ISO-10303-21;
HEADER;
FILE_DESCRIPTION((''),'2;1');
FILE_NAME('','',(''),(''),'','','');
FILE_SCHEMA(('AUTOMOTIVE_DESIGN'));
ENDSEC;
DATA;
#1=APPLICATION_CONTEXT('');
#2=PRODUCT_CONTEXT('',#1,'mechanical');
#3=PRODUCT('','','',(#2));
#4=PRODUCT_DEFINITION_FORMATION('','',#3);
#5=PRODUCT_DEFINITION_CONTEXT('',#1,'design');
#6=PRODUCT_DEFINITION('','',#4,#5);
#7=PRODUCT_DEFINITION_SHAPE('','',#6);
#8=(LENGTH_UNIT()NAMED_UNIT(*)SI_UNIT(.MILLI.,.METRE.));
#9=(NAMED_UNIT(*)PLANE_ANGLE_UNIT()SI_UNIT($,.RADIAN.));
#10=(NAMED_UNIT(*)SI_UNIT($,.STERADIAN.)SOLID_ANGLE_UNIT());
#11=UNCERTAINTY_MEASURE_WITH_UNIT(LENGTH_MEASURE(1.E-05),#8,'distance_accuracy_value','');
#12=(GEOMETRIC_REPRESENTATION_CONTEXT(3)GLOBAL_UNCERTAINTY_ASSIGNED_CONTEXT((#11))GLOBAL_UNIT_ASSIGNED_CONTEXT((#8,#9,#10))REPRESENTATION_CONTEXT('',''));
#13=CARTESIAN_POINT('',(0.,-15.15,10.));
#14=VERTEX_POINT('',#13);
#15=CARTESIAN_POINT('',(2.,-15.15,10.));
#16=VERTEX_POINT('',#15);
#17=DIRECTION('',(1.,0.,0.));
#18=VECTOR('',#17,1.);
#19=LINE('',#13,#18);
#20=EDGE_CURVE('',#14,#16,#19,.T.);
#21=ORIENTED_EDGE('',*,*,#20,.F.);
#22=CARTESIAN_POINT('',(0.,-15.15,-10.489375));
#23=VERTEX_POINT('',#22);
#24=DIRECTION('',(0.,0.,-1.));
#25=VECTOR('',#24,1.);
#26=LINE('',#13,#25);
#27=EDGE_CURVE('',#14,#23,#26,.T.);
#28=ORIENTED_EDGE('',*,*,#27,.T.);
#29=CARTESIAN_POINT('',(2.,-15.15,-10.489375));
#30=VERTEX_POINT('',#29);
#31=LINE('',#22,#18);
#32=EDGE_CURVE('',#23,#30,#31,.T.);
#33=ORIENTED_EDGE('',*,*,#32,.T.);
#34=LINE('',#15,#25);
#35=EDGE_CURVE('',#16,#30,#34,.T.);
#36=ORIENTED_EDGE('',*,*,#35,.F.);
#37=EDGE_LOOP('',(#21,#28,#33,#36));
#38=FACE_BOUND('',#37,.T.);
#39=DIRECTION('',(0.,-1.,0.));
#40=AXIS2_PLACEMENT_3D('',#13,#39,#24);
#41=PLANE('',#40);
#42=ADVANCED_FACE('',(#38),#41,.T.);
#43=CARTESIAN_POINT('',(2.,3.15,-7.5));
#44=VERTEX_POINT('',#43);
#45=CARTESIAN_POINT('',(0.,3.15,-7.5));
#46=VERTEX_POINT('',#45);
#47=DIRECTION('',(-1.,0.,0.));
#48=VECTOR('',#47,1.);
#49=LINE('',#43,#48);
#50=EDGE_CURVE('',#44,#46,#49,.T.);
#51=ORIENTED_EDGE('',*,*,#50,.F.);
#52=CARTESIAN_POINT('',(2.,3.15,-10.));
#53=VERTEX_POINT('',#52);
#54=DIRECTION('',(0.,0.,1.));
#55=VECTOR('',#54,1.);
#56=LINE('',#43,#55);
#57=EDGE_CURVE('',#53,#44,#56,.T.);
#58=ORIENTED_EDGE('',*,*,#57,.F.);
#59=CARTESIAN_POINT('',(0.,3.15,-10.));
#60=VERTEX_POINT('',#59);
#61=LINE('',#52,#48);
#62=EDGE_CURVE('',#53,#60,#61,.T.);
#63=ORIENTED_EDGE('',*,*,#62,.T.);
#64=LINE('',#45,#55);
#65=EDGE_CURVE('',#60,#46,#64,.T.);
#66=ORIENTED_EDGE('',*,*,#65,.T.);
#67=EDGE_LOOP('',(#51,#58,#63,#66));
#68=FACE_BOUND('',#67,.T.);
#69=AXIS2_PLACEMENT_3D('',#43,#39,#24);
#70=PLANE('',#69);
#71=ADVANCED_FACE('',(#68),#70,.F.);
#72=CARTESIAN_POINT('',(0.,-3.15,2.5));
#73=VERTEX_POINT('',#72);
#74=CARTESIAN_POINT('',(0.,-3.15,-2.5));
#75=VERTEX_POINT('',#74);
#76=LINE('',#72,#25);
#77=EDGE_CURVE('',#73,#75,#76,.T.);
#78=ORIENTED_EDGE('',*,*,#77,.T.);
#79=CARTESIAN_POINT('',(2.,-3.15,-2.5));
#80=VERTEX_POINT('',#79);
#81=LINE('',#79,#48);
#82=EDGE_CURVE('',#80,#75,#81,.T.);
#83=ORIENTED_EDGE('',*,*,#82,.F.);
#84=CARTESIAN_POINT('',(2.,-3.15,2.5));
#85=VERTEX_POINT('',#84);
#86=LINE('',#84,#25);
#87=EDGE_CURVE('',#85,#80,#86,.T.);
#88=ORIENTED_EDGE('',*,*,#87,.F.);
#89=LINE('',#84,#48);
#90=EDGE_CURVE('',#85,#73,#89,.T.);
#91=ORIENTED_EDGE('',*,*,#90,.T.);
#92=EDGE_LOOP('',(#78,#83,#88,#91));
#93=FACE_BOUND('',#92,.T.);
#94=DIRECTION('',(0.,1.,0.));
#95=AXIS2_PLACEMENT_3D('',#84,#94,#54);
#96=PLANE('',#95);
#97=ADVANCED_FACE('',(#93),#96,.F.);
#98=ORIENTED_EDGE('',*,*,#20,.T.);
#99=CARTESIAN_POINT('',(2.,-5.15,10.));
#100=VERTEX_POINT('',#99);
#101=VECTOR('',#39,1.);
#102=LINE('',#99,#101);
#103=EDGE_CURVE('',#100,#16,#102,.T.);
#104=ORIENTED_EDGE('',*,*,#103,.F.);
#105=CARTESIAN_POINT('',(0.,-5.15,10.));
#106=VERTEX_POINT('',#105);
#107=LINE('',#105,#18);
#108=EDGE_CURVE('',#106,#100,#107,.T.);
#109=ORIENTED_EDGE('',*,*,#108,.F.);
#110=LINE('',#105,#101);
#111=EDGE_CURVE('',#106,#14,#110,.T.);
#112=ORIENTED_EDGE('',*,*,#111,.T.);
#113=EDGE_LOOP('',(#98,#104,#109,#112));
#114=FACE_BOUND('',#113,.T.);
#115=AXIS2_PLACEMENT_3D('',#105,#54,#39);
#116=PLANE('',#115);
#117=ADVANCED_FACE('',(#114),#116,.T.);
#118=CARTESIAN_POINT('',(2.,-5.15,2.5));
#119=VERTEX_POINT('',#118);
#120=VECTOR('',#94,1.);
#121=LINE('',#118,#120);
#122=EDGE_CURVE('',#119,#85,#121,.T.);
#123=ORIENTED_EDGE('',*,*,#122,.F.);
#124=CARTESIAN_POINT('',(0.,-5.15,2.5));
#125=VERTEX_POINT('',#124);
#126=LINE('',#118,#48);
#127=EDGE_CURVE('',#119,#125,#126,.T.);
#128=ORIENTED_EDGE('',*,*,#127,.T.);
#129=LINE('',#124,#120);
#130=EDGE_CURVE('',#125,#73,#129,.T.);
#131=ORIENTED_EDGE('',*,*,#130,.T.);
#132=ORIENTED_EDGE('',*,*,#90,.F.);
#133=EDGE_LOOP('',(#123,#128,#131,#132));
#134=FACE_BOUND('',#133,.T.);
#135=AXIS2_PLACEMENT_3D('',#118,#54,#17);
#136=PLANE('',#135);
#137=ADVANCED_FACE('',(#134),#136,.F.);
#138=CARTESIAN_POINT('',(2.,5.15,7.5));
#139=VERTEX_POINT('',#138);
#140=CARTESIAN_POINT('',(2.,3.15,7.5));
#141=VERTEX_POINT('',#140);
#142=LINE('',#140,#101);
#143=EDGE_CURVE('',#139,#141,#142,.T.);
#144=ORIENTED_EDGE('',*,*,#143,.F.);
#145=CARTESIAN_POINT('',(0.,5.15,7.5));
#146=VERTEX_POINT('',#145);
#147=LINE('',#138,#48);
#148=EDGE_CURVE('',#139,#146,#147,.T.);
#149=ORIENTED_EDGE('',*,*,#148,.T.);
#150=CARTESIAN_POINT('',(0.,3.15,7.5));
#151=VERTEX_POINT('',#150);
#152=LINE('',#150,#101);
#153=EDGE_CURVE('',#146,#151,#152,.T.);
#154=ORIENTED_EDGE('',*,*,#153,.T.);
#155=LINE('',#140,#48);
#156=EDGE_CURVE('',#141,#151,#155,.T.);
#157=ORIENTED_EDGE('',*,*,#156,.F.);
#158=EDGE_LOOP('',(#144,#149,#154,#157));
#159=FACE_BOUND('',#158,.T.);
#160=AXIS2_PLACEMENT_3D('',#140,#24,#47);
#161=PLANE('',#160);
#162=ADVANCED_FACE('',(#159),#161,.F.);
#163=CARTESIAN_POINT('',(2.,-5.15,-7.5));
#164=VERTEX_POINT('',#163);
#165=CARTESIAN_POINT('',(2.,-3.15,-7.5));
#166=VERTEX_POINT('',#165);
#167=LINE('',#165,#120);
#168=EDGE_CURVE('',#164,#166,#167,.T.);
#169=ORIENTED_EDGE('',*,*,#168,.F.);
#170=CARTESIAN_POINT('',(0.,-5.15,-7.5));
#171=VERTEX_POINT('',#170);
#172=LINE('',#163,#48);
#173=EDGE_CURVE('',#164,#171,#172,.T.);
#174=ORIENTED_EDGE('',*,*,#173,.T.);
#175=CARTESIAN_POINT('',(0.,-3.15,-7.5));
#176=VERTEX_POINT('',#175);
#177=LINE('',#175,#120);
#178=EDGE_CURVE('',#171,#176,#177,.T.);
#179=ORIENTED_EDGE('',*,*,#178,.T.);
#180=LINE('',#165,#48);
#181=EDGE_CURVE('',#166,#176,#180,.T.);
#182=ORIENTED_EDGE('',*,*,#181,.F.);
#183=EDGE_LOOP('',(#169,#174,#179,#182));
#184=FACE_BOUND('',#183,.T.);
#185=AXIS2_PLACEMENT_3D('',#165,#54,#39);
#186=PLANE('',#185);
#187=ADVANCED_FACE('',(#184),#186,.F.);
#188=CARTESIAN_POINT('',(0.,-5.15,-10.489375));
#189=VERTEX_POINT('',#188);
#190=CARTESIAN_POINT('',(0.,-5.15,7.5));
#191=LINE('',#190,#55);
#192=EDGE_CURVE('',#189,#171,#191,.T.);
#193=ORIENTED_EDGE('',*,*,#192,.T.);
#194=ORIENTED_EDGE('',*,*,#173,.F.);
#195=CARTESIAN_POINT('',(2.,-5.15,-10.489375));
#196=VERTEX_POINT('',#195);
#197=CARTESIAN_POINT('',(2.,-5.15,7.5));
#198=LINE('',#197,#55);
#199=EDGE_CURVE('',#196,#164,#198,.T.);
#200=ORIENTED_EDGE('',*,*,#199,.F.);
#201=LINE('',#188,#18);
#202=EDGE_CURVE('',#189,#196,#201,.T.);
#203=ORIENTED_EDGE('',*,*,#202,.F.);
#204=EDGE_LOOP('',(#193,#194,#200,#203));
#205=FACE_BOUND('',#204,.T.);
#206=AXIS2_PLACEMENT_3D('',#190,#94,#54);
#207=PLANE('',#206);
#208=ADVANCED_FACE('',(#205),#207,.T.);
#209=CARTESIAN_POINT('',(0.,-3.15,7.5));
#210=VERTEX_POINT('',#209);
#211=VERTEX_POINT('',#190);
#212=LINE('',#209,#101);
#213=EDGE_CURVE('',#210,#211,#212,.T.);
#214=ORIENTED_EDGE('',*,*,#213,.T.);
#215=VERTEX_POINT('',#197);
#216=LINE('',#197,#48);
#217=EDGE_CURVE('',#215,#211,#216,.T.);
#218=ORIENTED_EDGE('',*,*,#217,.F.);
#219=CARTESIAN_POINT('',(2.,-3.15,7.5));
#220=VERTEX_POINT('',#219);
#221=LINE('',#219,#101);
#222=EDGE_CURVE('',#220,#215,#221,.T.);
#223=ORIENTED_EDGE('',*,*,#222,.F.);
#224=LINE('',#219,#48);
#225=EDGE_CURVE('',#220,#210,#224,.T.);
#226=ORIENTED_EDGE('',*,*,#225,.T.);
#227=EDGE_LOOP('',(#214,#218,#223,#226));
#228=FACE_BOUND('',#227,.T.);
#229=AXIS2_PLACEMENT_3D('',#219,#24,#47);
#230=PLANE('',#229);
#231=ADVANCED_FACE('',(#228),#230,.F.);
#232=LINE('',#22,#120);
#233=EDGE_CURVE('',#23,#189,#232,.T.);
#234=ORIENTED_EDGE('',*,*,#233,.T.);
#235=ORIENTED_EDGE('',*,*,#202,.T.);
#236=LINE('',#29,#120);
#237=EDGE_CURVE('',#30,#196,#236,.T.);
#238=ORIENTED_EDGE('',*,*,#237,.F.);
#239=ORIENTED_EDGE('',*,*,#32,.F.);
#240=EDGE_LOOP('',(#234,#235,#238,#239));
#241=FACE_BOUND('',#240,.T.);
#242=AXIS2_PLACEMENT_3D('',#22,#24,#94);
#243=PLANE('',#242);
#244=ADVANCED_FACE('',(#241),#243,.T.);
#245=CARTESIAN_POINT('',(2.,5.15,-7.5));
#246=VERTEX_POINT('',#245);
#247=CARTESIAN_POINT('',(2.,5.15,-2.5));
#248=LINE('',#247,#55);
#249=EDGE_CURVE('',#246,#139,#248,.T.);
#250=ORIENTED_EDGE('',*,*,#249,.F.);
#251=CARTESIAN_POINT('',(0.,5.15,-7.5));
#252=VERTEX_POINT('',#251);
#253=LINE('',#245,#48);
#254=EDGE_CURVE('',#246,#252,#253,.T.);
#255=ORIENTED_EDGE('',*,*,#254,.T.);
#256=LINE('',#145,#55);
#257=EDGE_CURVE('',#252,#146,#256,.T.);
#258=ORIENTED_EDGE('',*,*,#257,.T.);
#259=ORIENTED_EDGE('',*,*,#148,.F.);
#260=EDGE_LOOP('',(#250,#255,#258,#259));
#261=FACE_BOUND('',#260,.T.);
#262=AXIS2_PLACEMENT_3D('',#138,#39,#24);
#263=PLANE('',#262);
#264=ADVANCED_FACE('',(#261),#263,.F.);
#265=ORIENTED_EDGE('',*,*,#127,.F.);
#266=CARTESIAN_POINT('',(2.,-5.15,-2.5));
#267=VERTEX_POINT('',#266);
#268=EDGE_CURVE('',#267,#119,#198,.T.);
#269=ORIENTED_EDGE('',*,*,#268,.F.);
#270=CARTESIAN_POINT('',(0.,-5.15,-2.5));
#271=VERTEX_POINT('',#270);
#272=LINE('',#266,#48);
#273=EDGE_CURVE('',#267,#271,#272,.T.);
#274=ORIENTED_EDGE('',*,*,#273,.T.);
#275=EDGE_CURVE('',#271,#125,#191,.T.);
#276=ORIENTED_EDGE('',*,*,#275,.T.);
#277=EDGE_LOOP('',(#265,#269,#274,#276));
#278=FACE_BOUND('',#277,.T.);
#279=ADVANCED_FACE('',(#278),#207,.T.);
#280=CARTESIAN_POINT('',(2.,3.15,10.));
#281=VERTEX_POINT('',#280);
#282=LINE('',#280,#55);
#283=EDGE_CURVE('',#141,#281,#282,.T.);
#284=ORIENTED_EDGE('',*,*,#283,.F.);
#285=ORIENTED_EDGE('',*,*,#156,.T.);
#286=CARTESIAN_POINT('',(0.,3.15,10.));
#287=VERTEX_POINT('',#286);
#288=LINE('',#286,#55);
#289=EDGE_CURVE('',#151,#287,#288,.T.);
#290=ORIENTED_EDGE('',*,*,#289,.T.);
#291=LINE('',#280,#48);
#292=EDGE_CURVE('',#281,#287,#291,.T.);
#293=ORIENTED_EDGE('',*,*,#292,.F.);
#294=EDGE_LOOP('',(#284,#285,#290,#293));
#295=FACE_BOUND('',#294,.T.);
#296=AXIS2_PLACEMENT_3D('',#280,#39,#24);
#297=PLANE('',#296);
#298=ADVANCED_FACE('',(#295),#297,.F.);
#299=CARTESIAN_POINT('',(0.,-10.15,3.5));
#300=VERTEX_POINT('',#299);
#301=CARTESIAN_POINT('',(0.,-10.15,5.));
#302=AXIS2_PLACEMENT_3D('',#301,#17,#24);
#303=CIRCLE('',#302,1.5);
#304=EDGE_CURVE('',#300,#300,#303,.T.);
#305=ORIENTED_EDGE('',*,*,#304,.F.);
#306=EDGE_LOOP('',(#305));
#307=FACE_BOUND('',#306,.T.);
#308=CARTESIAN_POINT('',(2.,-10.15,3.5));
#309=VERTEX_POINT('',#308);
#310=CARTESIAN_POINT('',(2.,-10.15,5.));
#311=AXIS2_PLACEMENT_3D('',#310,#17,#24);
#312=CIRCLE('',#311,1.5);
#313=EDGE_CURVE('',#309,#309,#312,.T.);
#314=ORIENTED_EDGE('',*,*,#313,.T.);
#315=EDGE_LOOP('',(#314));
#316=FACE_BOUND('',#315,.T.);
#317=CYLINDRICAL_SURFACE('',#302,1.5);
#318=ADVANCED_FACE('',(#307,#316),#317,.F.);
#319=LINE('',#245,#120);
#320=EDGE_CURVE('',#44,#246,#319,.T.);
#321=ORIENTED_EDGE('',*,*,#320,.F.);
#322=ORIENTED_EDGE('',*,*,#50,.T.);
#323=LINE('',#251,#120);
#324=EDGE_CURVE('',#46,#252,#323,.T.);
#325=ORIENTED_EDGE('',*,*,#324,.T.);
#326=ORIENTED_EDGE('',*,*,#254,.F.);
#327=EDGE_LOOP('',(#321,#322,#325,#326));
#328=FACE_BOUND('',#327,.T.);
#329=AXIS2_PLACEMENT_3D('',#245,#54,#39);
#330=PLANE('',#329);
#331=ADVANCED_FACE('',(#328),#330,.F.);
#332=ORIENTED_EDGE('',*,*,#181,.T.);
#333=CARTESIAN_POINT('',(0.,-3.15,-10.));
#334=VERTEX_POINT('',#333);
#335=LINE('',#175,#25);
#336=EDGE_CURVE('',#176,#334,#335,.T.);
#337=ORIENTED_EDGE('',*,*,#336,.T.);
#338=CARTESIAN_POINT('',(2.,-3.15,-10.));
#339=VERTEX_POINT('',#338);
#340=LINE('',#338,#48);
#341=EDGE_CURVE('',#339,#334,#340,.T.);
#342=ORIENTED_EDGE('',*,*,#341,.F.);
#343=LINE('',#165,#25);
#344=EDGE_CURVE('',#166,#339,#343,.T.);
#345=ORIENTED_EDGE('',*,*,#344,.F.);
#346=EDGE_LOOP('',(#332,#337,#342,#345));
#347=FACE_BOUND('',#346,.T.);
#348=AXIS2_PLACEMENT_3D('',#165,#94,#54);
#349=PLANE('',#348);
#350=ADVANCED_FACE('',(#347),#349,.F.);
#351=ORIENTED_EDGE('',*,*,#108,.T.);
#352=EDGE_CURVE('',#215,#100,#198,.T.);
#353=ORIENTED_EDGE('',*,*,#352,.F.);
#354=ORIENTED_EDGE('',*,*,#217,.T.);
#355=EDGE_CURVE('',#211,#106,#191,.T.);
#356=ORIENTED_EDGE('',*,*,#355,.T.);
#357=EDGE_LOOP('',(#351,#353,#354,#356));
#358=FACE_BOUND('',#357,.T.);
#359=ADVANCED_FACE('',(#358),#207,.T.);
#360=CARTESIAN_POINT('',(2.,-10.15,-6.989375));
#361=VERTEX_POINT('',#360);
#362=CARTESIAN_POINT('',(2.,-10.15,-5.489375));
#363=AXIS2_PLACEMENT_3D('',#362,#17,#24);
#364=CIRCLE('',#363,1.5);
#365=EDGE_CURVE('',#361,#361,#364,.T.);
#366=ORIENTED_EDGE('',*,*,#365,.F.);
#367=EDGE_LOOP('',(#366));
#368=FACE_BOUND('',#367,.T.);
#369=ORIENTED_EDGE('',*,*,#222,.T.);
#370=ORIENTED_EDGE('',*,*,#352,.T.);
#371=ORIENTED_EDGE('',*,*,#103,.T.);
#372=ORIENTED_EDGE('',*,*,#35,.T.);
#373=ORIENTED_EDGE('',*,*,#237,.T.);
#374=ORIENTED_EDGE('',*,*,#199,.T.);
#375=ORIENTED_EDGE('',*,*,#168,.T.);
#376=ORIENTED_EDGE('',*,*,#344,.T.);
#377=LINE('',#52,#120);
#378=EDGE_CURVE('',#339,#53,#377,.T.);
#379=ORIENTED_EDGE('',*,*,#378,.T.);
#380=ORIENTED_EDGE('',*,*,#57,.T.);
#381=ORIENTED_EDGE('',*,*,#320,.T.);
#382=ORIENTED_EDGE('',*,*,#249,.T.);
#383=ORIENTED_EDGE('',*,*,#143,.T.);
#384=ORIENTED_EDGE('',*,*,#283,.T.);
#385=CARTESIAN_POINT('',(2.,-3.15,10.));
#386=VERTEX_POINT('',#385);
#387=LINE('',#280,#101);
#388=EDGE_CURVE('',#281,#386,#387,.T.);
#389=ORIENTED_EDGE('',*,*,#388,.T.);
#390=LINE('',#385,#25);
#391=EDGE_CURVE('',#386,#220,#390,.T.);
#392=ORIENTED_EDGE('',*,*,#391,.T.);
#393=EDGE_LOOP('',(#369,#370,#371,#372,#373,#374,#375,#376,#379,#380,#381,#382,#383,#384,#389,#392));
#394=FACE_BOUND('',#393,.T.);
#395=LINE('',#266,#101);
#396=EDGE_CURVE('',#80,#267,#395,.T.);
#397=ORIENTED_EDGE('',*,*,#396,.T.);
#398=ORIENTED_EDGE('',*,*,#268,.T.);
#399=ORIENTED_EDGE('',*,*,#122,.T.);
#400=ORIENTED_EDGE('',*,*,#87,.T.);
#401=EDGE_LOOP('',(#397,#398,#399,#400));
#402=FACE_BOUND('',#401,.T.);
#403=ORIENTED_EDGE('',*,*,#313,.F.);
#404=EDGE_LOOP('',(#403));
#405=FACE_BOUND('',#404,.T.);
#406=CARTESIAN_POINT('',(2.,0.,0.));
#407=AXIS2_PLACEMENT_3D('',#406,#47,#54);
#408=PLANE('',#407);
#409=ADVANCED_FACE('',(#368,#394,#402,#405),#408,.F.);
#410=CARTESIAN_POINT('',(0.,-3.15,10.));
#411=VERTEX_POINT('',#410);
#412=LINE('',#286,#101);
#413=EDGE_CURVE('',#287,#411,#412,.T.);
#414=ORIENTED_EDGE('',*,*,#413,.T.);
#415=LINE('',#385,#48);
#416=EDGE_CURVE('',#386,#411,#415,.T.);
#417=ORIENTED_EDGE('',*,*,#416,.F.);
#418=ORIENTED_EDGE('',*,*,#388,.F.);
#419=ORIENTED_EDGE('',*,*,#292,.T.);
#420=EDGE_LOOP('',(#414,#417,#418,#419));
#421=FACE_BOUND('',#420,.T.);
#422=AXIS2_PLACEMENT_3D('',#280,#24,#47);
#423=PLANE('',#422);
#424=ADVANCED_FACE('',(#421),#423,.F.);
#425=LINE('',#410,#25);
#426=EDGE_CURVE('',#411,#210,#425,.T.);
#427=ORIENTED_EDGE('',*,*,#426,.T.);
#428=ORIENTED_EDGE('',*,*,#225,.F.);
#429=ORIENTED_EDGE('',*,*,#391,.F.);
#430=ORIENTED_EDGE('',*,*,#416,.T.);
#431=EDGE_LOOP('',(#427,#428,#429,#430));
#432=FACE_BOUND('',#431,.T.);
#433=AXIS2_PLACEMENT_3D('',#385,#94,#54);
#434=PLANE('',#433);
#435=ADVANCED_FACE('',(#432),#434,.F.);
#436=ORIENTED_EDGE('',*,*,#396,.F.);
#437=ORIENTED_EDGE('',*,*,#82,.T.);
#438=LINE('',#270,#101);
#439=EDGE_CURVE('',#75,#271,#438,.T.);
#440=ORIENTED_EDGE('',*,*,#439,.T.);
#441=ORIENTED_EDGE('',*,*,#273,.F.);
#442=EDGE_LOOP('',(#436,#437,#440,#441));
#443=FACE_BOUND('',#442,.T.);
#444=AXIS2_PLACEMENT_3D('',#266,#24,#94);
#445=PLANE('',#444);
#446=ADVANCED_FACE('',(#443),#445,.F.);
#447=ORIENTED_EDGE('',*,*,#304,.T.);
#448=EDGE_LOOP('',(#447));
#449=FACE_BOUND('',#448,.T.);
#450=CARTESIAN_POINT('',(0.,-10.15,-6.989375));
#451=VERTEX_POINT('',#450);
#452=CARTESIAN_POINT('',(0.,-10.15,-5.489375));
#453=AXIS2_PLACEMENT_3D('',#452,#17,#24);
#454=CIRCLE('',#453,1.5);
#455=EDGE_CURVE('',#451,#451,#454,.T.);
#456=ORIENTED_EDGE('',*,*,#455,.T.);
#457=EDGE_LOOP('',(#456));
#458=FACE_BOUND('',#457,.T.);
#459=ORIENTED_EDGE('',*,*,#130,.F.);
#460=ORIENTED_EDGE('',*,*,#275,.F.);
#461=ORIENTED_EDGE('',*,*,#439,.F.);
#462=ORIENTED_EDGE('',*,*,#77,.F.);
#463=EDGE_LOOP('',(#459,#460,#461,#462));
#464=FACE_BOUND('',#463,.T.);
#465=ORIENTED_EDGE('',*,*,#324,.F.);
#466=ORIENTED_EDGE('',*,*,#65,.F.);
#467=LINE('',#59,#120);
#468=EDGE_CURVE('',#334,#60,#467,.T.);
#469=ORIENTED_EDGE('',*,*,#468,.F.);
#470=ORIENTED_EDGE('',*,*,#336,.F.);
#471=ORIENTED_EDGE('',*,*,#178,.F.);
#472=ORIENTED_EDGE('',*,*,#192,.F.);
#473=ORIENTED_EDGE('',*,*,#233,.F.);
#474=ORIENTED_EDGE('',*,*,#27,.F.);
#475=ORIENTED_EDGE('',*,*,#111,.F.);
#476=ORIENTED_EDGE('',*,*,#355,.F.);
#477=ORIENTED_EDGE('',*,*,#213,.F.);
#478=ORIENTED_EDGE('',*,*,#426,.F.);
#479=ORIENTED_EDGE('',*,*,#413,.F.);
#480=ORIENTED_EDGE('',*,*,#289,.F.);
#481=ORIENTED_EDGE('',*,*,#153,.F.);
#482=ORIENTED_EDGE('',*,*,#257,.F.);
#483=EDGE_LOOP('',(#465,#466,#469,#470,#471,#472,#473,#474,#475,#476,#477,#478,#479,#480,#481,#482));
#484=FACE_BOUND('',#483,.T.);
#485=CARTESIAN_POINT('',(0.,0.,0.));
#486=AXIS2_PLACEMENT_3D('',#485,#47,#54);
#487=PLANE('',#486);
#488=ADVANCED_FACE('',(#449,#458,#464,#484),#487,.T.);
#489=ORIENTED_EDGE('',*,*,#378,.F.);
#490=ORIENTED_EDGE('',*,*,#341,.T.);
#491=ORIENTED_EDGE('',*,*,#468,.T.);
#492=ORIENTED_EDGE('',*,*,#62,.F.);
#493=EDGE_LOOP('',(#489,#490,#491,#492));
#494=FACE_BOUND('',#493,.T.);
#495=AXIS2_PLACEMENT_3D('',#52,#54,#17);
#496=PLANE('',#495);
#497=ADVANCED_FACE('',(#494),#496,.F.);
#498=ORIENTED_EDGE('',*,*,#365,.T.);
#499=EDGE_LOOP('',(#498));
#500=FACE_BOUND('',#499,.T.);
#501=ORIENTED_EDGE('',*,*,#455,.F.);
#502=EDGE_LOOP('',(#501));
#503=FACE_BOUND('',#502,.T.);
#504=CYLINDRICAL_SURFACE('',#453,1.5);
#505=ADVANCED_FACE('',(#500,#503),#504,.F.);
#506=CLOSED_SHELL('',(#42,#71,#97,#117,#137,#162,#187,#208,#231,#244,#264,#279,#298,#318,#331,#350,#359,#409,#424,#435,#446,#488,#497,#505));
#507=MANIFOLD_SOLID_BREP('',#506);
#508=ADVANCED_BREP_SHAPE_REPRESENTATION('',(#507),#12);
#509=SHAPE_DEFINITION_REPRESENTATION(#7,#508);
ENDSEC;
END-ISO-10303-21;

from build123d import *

# Parameters (mm, degrees)
BOSS_EXTRUDE1_DEPTH = 2
SKETCH2_R           = 1.5
BOSS_EXTRUDE2_DEPTH = 2
SKETCH3_W           = 5
SKETCH3_H           = 2
BOSS_EXTRUDE3_DEPTH = 2


with BuildPart() as part:
    # Sketch1 → Boss-Extrude1 (new body)
    with BuildSketch(Plane(origin=(0, 0, 0), x_dir=(0, 0, -1), z_dir=(1, 0, 0))):
        Polygon((-7.5, 3.15), (-7.5, 5.15), (-2.5, 5.15), (-2.5, 3.15), (2.5, 3.15), (2.5, 5.15), (7.5, 5.15), (7.5, 3.15), (10, 3.15), (10, -3.15), (7.5, -3.15), (7.5, -5.15), (2.5, -5.15), (2.5, -3.15), (-2.5, -3.15), (-2.5, -5.15), (-7.5, -5.15), (-7.5, -3.15), (-10, -3.15), (-10, 3.15), align=None)
    extrude(amount=BOSS_EXTRUDE1_DEPTH)

    # Sketch2 → Boss-Extrude2 (add)
    with BuildSketch(Plane(origin=(2, 0, 0), x_dir=(0, 0, -1), z_dir=(1, 0, 0))):
        Polygon((-10, -5.15), (-10, -15.15), (10.489374947, -15.15), (10.489374947, -5.15), (-7.5, -5.15), align=None)
        with Locations((-5, -10.15)):
            Circle(SKETCH2_R, mode=Mode.SUBTRACT)
        with Locations((5.489374947, -10.15)):
            Circle(SKETCH2_R, mode=Mode.SUBTRACT)
    extrude(amount=-BOSS_EXTRUDE2_DEPTH)

    # Sketch3 → Boss-Extrude3 (add)
    with BuildSketch(Plane(origin=(2, 0, 0), x_dir=(0, 0, -1), z_dir=(1, 0, 0))):
        with Locations((0, 4.15)):
            Rectangle(SKETCH3_W, SKETCH3_H)
    extrude(amount=-BOSS_EXTRUDE3_DEPTH)


solid = part.part
